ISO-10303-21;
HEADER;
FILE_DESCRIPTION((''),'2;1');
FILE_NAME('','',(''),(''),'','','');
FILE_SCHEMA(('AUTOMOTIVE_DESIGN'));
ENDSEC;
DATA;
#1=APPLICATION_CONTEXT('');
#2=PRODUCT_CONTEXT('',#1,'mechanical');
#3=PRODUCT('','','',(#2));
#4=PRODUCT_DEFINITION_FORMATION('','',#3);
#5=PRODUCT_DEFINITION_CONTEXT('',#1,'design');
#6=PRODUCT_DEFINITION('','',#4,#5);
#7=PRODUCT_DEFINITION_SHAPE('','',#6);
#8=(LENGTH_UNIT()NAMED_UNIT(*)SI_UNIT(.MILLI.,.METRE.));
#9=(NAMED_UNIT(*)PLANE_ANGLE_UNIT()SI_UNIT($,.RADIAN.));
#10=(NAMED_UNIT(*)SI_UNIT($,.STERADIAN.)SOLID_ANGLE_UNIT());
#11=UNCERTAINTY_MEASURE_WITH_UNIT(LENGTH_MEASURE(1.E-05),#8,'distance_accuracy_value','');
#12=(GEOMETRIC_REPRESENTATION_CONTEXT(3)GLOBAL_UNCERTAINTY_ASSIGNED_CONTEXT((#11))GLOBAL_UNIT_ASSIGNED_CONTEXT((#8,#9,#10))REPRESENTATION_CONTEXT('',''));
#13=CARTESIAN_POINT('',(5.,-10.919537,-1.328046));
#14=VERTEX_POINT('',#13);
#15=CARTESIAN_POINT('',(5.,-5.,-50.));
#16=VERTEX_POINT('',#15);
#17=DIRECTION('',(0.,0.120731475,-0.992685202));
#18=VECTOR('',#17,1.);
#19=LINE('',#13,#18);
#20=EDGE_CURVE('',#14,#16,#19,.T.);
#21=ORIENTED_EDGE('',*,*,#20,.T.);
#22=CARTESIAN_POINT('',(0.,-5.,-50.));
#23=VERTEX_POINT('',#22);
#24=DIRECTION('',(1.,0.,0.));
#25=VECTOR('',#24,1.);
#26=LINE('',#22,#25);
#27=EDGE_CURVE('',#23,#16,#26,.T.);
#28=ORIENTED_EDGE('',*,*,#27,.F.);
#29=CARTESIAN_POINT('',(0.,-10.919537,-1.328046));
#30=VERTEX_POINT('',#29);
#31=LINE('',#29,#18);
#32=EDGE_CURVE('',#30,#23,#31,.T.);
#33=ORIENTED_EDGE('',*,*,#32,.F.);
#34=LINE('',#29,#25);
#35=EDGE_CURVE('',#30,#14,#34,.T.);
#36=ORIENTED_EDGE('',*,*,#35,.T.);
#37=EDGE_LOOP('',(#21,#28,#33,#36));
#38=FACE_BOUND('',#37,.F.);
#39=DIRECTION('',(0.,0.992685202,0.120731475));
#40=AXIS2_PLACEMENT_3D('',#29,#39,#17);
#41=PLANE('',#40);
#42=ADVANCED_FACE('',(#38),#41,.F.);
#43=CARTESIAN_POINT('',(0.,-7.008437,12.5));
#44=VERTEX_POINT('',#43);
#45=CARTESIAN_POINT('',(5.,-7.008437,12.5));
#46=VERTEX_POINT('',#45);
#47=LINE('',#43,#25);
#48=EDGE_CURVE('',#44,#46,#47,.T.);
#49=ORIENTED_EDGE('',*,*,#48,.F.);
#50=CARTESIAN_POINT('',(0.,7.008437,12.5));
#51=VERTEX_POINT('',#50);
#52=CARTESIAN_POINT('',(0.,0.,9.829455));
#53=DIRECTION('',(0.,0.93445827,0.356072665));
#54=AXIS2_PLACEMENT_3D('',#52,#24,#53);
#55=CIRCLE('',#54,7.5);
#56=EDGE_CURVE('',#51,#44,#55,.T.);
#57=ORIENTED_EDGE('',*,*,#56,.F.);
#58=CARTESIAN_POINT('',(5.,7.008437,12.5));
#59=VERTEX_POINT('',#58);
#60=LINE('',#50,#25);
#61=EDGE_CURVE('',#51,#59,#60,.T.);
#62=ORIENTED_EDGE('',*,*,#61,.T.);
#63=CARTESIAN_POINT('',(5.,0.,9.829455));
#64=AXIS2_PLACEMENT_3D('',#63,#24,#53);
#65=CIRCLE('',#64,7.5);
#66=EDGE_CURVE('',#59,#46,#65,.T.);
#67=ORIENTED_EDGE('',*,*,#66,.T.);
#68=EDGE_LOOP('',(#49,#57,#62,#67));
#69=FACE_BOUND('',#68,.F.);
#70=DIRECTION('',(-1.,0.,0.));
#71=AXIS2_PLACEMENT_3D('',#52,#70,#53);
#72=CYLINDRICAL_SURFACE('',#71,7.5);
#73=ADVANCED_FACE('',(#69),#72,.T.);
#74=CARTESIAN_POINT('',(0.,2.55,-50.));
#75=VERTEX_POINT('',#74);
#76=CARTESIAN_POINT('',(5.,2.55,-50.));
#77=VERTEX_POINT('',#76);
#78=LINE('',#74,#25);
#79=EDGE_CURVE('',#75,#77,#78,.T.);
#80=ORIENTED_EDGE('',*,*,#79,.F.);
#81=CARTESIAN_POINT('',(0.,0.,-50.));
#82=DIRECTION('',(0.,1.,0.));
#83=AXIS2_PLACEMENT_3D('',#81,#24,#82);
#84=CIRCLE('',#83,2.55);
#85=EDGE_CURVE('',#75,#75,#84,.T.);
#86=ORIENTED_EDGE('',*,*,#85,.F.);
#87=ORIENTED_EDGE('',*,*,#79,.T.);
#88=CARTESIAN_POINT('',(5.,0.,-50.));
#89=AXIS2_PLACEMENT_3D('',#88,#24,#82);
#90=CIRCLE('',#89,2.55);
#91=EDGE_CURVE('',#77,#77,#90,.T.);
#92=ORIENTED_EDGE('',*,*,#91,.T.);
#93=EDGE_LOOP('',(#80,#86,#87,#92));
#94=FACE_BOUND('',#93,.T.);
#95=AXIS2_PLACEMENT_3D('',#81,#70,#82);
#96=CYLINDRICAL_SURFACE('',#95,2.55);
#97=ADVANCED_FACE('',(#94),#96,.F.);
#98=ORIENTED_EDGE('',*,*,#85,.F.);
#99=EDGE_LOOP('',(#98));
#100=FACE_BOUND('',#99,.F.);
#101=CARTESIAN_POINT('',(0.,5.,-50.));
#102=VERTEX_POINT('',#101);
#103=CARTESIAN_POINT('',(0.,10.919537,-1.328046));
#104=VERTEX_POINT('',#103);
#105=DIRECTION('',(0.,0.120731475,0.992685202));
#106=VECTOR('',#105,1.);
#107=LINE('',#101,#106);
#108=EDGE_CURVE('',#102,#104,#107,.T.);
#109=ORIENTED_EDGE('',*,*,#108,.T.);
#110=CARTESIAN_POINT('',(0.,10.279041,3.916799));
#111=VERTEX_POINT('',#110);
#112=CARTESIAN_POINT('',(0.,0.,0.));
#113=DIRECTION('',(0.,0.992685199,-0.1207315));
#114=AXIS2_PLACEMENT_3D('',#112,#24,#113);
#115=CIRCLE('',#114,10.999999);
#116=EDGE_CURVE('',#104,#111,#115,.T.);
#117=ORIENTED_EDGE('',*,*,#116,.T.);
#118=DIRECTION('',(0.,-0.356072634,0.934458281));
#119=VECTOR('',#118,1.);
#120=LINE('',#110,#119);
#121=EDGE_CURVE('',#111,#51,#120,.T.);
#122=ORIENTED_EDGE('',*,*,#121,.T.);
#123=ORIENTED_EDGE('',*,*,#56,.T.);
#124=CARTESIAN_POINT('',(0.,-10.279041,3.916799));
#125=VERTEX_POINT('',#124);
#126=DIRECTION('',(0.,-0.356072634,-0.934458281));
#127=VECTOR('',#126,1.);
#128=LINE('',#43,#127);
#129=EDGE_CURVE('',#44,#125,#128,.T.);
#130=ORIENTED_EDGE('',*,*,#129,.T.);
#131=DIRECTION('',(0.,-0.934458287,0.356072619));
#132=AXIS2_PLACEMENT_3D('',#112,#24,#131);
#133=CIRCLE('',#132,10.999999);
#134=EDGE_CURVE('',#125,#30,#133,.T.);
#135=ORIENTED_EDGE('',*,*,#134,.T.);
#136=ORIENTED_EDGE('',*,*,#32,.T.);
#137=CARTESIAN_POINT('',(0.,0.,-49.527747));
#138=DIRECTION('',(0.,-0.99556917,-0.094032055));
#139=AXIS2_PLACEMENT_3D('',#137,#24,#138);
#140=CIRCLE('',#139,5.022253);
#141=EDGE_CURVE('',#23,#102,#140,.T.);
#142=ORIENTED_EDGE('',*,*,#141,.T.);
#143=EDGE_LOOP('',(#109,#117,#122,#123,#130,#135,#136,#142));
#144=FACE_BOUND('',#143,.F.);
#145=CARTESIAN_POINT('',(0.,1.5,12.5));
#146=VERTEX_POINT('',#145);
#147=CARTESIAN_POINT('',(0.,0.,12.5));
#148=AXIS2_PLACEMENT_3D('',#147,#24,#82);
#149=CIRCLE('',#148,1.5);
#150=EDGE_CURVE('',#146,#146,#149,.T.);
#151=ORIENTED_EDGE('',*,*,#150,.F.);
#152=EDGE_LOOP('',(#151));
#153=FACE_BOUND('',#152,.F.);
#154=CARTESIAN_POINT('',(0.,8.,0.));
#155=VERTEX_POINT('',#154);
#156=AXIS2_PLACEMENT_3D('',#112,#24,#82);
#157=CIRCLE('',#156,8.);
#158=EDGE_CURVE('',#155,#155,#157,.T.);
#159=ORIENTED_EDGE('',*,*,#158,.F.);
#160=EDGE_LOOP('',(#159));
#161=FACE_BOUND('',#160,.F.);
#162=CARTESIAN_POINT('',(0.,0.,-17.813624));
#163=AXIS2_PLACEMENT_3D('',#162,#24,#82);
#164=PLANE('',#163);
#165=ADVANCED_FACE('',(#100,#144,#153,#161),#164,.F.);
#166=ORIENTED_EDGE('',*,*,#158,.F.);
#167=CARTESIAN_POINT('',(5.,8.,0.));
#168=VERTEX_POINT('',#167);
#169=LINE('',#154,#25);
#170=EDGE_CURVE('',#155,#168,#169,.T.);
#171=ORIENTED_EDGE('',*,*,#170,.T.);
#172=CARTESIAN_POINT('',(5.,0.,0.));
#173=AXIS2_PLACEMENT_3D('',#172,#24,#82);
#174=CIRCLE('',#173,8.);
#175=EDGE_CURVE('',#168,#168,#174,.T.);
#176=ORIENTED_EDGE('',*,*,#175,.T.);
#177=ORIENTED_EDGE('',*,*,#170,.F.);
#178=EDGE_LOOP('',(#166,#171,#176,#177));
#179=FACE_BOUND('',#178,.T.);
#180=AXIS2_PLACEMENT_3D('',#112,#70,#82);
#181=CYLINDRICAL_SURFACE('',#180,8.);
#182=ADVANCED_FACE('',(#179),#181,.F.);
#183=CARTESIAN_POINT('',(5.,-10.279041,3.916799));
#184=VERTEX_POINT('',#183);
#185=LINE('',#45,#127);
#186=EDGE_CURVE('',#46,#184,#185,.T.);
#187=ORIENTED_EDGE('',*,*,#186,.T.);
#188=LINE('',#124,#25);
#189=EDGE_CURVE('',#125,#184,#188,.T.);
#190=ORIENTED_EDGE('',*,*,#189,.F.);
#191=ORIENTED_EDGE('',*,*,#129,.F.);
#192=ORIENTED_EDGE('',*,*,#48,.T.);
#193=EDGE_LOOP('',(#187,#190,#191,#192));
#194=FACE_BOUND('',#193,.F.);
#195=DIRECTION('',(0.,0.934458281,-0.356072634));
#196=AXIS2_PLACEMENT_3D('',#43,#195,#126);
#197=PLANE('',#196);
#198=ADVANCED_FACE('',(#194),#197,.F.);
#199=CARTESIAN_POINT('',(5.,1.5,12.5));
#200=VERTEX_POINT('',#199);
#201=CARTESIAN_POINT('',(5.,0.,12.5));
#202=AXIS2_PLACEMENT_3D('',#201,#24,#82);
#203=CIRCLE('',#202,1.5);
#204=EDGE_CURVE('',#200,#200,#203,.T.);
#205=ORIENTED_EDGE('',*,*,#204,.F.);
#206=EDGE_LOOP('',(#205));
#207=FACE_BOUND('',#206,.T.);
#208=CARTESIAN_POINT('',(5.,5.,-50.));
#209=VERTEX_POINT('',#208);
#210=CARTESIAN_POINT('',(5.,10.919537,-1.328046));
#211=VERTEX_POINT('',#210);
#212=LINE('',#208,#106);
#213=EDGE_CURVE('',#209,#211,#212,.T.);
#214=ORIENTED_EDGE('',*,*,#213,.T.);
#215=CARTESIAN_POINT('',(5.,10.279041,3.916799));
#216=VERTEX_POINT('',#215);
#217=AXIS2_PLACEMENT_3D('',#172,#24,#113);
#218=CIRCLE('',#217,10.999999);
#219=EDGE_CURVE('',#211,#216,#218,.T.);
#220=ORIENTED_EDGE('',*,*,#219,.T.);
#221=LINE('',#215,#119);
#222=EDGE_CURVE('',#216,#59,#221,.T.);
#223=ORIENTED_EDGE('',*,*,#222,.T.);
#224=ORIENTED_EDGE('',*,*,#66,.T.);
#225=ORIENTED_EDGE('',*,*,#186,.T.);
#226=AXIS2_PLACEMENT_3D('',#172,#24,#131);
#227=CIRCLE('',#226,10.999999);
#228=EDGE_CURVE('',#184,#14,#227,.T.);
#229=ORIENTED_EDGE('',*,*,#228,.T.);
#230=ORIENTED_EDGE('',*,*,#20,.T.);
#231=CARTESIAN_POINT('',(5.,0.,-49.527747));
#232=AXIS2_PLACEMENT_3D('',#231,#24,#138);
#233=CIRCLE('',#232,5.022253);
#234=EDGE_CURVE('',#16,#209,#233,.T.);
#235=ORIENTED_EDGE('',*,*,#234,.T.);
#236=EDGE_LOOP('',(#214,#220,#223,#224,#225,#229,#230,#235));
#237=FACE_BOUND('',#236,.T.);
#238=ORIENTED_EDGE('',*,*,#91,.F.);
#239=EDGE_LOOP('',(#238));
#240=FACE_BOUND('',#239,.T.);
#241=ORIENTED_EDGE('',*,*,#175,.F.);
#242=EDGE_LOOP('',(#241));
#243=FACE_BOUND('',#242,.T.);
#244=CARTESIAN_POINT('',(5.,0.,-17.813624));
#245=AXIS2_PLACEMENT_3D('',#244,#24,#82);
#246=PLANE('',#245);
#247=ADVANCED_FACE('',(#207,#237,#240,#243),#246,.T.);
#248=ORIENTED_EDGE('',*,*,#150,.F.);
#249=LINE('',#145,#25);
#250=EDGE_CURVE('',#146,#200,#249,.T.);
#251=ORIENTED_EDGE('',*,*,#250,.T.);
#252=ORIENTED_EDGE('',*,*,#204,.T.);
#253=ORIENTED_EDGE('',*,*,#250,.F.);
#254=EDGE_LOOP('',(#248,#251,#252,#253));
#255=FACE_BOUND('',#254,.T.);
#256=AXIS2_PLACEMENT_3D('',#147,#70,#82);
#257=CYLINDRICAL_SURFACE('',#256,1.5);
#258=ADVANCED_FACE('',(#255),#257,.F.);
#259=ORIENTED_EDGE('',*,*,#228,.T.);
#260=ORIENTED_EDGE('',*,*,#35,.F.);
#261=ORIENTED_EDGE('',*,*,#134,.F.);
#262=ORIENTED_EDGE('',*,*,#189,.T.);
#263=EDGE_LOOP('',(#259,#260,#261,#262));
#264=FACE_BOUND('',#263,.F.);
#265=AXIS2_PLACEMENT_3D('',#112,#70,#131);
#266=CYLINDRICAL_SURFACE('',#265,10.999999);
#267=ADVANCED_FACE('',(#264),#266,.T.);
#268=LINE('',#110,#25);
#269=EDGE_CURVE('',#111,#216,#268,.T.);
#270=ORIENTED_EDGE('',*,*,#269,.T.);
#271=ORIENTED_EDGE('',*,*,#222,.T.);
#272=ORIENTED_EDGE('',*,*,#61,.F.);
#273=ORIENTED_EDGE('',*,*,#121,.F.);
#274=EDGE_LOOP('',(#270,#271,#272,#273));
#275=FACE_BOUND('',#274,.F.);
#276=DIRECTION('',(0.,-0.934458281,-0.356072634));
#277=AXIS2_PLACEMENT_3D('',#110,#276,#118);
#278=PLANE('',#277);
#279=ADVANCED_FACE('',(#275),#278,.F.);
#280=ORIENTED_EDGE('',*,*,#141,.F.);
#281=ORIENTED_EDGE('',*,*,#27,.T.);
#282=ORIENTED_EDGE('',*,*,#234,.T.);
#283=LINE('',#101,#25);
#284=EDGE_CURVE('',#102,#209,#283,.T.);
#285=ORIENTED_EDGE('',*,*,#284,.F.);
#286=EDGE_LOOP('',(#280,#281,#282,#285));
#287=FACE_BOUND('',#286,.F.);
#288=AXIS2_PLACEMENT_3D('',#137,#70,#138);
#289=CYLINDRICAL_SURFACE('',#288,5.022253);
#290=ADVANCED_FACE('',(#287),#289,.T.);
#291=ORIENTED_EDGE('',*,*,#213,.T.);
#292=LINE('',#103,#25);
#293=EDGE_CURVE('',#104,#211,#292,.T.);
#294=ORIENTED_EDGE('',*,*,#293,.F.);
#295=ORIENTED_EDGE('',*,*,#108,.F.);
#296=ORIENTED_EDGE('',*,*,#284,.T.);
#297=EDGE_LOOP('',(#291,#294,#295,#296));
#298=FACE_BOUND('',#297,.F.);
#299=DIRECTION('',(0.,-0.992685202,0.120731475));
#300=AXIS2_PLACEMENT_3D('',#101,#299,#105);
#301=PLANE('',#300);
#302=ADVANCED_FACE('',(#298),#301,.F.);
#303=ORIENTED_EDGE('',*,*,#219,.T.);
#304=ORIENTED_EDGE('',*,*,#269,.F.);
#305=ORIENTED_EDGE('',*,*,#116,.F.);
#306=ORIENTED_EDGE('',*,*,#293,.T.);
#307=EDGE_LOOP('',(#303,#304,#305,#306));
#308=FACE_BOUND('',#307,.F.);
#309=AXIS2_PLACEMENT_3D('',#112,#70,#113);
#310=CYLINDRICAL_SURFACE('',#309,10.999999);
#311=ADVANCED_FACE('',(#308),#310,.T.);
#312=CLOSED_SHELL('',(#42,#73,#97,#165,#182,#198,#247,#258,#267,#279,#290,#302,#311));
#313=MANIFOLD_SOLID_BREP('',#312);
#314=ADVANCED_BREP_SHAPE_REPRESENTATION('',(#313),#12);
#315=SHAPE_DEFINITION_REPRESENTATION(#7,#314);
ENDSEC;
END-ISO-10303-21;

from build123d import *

# Parameters (mm, degrees)
F0_R     = 2.55
F0_R_2   = 8
F0_R_3   = 1.5
F1_DEPTH = 5


with BuildPart() as f1:
    # F0 (on Right) → F1 (new body)
    with BuildSketch(Plane.YZ):
        with BuildLine():
            Line((10.279041, 3.916799), (7.008437, 12.5))
            ThreePointArc((7.008437, 12.5), (0, 17.329455), (-7.008437, 12.5))
            Line((-7.008437, 12.5), (-10.279041, 3.916799))
            ThreePointArc((-10.279041, 3.916799), (-10.918884, 1.333405), (-10.919537, -1.328046))
            Line((-10.919537, -1.328046), (-5, -50))
            ThreePointArc((-5, -50), (0, -54.55), (5, -50))
            Line((5, -50), (10.919537, -1.328046))
            ThreePointArc((10.919537, -1.328046), (10.918884, 1.333405), (10.279041, 3.916799))
        make_face()
        with Locations((0, -50)):
            Circle(F0_R, mode=Mode.SUBTRACT)
        Circle(F0_R_2, mode=Mode.SUBTRACT)
        with Locations((0, 12.5)):
            Circle(F0_R_3, mode=Mode.SUBTRACT)
    extrude(amount=F1_DEPTH)


solid = f1.part
